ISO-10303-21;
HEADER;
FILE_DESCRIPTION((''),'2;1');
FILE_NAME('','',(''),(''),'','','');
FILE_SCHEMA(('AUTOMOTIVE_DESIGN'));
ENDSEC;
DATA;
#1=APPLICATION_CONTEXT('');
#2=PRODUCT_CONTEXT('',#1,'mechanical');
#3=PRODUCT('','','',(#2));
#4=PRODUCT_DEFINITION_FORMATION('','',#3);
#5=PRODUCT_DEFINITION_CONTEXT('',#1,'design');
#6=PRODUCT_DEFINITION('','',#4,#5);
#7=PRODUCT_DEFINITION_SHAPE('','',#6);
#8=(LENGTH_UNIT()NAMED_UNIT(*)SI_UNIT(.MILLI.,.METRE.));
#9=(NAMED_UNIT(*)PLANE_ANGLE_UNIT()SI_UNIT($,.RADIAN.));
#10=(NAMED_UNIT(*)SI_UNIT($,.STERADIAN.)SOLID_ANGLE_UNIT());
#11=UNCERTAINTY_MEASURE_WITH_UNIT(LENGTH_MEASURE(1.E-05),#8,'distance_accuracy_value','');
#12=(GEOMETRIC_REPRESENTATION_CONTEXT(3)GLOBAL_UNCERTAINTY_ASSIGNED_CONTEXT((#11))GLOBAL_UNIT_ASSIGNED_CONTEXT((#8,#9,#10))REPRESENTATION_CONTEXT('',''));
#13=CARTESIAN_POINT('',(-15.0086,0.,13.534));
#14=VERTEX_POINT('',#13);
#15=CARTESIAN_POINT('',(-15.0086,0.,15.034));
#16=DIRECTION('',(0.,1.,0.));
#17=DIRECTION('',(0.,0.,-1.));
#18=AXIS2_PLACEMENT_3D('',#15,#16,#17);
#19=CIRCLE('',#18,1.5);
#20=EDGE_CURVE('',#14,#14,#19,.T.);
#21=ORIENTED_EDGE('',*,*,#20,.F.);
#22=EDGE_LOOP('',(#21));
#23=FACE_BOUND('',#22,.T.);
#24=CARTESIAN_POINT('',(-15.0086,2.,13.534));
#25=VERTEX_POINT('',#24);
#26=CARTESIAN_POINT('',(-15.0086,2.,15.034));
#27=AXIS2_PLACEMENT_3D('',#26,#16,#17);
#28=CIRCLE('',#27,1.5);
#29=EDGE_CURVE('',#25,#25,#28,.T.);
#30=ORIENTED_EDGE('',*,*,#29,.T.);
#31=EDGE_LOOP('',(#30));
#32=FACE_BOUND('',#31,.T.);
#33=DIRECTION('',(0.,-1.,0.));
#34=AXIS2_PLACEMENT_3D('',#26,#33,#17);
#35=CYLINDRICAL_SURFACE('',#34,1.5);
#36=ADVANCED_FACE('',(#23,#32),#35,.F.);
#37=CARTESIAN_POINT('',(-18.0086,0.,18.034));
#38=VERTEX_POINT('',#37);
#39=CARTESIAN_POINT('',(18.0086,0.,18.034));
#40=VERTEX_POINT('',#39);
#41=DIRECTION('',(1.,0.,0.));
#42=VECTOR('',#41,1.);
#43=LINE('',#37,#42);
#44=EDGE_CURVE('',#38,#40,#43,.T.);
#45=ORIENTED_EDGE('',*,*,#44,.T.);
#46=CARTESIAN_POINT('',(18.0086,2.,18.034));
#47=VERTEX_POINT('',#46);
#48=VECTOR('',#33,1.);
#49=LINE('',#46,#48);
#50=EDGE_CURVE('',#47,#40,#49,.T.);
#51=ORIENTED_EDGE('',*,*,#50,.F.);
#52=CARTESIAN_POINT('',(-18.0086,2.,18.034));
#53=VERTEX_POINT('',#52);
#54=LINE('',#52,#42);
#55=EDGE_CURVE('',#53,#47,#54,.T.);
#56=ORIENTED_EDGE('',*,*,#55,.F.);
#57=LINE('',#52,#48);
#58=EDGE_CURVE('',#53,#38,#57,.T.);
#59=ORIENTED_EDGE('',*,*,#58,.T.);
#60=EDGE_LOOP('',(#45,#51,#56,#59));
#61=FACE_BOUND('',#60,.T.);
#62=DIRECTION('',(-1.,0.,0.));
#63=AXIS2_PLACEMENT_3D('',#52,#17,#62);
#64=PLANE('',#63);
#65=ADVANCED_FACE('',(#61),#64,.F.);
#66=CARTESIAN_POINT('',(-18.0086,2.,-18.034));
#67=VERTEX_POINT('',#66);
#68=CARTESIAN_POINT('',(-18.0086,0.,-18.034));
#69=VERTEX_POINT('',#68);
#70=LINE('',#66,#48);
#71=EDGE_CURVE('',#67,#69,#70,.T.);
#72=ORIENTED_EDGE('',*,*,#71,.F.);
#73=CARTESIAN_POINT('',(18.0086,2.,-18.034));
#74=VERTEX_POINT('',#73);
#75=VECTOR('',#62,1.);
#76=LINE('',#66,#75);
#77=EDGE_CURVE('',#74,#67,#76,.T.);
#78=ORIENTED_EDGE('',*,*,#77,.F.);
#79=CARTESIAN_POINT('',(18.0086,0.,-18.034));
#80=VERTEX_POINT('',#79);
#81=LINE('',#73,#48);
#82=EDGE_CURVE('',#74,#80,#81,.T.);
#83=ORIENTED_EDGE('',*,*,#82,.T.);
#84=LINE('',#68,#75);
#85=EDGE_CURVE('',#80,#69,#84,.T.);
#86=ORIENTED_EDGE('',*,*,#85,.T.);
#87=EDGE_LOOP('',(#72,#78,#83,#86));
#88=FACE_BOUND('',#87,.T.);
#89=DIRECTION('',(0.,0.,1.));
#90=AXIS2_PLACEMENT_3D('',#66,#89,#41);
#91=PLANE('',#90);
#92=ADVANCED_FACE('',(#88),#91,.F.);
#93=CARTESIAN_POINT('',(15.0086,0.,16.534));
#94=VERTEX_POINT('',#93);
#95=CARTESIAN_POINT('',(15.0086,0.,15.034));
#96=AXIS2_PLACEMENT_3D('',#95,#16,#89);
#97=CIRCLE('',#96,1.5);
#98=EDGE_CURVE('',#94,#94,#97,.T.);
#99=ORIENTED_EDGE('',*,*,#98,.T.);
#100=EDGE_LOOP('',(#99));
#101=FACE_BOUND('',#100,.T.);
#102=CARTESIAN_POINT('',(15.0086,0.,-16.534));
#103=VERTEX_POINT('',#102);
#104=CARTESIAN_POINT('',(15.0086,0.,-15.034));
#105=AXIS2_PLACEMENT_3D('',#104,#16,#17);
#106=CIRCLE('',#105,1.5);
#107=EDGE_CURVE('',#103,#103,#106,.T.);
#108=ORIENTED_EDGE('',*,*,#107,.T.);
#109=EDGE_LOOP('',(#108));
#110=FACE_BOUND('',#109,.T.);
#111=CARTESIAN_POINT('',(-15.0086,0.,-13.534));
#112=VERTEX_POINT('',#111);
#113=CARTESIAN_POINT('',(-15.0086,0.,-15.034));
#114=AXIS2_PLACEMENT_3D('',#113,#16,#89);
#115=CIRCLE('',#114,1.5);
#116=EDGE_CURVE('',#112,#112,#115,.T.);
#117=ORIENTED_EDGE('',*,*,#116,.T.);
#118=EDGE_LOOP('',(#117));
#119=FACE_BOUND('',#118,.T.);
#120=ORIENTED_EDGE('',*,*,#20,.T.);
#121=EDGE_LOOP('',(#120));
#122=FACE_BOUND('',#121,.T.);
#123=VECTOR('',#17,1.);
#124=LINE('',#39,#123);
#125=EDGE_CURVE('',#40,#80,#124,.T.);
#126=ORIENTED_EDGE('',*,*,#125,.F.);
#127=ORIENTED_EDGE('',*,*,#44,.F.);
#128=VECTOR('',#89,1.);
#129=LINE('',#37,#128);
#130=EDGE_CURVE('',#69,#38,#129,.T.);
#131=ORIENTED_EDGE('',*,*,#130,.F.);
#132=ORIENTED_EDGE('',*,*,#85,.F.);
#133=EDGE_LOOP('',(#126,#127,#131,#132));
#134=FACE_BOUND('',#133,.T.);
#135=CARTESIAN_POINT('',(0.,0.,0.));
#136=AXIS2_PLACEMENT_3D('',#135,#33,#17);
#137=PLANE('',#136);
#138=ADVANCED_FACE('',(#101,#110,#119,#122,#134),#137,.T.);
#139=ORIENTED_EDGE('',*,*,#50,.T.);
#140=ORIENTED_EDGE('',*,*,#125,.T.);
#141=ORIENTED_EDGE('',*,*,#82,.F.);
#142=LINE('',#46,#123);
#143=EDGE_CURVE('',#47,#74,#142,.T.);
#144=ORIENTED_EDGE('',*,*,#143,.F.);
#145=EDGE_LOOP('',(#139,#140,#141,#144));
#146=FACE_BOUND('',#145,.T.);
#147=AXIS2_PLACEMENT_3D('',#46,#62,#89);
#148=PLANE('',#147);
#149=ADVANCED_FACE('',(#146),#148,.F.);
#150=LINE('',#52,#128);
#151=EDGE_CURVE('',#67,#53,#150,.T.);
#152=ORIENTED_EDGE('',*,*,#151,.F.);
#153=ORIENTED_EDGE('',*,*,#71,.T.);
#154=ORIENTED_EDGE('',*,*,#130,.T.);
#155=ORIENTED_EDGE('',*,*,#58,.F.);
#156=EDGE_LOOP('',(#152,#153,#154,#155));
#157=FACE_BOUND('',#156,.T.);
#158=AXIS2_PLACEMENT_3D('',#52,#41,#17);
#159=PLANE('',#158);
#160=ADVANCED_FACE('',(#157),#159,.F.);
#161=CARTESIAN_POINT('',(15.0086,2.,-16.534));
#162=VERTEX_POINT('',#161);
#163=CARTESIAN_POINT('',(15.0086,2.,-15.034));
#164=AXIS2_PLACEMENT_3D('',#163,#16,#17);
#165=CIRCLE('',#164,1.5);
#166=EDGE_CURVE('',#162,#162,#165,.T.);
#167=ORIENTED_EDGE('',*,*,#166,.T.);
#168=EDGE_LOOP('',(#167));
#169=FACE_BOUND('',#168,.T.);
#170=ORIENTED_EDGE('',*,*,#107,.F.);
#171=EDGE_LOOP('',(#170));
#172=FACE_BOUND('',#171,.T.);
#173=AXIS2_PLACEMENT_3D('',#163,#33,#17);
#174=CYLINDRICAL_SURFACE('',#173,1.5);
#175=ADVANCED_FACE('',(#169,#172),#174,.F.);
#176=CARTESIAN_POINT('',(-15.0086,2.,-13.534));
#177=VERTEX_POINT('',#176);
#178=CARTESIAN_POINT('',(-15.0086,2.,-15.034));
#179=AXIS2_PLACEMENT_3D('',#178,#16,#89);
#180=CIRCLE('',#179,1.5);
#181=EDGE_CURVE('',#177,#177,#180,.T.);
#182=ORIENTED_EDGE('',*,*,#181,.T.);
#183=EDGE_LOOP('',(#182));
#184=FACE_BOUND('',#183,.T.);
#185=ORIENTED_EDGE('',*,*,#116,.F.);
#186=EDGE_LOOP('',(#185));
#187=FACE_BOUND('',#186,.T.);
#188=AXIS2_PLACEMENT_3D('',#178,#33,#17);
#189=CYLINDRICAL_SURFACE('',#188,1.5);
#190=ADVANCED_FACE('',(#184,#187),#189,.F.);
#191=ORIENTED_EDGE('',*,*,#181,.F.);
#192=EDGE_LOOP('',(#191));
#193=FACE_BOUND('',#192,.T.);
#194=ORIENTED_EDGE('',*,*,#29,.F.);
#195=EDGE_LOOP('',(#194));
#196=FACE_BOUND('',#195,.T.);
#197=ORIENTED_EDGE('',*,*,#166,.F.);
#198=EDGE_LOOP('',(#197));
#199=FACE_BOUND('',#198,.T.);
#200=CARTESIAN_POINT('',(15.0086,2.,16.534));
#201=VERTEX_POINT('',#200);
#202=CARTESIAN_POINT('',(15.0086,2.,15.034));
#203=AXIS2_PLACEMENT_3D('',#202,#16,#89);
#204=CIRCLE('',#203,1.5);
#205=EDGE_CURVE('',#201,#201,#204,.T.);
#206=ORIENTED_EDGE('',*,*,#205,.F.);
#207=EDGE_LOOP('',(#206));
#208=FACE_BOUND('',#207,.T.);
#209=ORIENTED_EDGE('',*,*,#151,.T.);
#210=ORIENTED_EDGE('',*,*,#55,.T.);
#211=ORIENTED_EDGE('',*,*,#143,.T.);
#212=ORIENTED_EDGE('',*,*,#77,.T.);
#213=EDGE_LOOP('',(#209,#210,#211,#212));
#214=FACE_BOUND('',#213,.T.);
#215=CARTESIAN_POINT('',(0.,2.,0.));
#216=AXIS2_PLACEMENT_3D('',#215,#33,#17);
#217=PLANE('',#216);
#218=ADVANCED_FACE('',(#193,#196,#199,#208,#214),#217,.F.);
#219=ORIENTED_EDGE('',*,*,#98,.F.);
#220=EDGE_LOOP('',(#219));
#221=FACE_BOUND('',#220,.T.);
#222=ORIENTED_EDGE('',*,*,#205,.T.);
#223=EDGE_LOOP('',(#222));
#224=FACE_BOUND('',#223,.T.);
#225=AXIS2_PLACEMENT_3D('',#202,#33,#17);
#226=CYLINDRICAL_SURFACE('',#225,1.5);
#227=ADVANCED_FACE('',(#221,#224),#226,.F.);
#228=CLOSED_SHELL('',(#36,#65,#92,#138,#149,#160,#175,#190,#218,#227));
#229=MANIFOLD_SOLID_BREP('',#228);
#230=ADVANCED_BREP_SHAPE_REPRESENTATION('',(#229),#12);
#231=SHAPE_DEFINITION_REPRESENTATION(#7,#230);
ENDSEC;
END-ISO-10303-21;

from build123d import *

# Parameters (mm, degrees)
SKETCH1_W           = 36.0172
SKETCH1_H           = 36.068
SKETCH1_R           = 1.5
BOSS_EXTRUDE1_DEPTH = 2


with BuildPart() as part:
    # Sketch1 → Boss-Extrude1 (new body)
    with BuildSketch(Plane(origin=(0, 0, 0), x_dir=(1, 0, 0), z_dir=(0, 1, 0))):
        Rectangle(SKETCH1_W, SKETCH1_H)
        with Locations((-15.0086, 15.034)):
            Circle(SKETCH1_R, mode=Mode.SUBTRACT)
        with Locations((15.0086, 15.034)):
            Circle(SKETCH1_R, mode=Mode.SUBTRACT)
        with Locations((-15.0086, -15.034)):
            Circle(SKETCH1_R, mode=Mode.SUBTRACT)
        with Locations((15.0086, -15.034)):
            Circle(SKETCH1_R, mode=Mode.SUBTRACT)
    extrude(amount=BOSS_EXTRUDE1_DEPTH)


solid = part.part
